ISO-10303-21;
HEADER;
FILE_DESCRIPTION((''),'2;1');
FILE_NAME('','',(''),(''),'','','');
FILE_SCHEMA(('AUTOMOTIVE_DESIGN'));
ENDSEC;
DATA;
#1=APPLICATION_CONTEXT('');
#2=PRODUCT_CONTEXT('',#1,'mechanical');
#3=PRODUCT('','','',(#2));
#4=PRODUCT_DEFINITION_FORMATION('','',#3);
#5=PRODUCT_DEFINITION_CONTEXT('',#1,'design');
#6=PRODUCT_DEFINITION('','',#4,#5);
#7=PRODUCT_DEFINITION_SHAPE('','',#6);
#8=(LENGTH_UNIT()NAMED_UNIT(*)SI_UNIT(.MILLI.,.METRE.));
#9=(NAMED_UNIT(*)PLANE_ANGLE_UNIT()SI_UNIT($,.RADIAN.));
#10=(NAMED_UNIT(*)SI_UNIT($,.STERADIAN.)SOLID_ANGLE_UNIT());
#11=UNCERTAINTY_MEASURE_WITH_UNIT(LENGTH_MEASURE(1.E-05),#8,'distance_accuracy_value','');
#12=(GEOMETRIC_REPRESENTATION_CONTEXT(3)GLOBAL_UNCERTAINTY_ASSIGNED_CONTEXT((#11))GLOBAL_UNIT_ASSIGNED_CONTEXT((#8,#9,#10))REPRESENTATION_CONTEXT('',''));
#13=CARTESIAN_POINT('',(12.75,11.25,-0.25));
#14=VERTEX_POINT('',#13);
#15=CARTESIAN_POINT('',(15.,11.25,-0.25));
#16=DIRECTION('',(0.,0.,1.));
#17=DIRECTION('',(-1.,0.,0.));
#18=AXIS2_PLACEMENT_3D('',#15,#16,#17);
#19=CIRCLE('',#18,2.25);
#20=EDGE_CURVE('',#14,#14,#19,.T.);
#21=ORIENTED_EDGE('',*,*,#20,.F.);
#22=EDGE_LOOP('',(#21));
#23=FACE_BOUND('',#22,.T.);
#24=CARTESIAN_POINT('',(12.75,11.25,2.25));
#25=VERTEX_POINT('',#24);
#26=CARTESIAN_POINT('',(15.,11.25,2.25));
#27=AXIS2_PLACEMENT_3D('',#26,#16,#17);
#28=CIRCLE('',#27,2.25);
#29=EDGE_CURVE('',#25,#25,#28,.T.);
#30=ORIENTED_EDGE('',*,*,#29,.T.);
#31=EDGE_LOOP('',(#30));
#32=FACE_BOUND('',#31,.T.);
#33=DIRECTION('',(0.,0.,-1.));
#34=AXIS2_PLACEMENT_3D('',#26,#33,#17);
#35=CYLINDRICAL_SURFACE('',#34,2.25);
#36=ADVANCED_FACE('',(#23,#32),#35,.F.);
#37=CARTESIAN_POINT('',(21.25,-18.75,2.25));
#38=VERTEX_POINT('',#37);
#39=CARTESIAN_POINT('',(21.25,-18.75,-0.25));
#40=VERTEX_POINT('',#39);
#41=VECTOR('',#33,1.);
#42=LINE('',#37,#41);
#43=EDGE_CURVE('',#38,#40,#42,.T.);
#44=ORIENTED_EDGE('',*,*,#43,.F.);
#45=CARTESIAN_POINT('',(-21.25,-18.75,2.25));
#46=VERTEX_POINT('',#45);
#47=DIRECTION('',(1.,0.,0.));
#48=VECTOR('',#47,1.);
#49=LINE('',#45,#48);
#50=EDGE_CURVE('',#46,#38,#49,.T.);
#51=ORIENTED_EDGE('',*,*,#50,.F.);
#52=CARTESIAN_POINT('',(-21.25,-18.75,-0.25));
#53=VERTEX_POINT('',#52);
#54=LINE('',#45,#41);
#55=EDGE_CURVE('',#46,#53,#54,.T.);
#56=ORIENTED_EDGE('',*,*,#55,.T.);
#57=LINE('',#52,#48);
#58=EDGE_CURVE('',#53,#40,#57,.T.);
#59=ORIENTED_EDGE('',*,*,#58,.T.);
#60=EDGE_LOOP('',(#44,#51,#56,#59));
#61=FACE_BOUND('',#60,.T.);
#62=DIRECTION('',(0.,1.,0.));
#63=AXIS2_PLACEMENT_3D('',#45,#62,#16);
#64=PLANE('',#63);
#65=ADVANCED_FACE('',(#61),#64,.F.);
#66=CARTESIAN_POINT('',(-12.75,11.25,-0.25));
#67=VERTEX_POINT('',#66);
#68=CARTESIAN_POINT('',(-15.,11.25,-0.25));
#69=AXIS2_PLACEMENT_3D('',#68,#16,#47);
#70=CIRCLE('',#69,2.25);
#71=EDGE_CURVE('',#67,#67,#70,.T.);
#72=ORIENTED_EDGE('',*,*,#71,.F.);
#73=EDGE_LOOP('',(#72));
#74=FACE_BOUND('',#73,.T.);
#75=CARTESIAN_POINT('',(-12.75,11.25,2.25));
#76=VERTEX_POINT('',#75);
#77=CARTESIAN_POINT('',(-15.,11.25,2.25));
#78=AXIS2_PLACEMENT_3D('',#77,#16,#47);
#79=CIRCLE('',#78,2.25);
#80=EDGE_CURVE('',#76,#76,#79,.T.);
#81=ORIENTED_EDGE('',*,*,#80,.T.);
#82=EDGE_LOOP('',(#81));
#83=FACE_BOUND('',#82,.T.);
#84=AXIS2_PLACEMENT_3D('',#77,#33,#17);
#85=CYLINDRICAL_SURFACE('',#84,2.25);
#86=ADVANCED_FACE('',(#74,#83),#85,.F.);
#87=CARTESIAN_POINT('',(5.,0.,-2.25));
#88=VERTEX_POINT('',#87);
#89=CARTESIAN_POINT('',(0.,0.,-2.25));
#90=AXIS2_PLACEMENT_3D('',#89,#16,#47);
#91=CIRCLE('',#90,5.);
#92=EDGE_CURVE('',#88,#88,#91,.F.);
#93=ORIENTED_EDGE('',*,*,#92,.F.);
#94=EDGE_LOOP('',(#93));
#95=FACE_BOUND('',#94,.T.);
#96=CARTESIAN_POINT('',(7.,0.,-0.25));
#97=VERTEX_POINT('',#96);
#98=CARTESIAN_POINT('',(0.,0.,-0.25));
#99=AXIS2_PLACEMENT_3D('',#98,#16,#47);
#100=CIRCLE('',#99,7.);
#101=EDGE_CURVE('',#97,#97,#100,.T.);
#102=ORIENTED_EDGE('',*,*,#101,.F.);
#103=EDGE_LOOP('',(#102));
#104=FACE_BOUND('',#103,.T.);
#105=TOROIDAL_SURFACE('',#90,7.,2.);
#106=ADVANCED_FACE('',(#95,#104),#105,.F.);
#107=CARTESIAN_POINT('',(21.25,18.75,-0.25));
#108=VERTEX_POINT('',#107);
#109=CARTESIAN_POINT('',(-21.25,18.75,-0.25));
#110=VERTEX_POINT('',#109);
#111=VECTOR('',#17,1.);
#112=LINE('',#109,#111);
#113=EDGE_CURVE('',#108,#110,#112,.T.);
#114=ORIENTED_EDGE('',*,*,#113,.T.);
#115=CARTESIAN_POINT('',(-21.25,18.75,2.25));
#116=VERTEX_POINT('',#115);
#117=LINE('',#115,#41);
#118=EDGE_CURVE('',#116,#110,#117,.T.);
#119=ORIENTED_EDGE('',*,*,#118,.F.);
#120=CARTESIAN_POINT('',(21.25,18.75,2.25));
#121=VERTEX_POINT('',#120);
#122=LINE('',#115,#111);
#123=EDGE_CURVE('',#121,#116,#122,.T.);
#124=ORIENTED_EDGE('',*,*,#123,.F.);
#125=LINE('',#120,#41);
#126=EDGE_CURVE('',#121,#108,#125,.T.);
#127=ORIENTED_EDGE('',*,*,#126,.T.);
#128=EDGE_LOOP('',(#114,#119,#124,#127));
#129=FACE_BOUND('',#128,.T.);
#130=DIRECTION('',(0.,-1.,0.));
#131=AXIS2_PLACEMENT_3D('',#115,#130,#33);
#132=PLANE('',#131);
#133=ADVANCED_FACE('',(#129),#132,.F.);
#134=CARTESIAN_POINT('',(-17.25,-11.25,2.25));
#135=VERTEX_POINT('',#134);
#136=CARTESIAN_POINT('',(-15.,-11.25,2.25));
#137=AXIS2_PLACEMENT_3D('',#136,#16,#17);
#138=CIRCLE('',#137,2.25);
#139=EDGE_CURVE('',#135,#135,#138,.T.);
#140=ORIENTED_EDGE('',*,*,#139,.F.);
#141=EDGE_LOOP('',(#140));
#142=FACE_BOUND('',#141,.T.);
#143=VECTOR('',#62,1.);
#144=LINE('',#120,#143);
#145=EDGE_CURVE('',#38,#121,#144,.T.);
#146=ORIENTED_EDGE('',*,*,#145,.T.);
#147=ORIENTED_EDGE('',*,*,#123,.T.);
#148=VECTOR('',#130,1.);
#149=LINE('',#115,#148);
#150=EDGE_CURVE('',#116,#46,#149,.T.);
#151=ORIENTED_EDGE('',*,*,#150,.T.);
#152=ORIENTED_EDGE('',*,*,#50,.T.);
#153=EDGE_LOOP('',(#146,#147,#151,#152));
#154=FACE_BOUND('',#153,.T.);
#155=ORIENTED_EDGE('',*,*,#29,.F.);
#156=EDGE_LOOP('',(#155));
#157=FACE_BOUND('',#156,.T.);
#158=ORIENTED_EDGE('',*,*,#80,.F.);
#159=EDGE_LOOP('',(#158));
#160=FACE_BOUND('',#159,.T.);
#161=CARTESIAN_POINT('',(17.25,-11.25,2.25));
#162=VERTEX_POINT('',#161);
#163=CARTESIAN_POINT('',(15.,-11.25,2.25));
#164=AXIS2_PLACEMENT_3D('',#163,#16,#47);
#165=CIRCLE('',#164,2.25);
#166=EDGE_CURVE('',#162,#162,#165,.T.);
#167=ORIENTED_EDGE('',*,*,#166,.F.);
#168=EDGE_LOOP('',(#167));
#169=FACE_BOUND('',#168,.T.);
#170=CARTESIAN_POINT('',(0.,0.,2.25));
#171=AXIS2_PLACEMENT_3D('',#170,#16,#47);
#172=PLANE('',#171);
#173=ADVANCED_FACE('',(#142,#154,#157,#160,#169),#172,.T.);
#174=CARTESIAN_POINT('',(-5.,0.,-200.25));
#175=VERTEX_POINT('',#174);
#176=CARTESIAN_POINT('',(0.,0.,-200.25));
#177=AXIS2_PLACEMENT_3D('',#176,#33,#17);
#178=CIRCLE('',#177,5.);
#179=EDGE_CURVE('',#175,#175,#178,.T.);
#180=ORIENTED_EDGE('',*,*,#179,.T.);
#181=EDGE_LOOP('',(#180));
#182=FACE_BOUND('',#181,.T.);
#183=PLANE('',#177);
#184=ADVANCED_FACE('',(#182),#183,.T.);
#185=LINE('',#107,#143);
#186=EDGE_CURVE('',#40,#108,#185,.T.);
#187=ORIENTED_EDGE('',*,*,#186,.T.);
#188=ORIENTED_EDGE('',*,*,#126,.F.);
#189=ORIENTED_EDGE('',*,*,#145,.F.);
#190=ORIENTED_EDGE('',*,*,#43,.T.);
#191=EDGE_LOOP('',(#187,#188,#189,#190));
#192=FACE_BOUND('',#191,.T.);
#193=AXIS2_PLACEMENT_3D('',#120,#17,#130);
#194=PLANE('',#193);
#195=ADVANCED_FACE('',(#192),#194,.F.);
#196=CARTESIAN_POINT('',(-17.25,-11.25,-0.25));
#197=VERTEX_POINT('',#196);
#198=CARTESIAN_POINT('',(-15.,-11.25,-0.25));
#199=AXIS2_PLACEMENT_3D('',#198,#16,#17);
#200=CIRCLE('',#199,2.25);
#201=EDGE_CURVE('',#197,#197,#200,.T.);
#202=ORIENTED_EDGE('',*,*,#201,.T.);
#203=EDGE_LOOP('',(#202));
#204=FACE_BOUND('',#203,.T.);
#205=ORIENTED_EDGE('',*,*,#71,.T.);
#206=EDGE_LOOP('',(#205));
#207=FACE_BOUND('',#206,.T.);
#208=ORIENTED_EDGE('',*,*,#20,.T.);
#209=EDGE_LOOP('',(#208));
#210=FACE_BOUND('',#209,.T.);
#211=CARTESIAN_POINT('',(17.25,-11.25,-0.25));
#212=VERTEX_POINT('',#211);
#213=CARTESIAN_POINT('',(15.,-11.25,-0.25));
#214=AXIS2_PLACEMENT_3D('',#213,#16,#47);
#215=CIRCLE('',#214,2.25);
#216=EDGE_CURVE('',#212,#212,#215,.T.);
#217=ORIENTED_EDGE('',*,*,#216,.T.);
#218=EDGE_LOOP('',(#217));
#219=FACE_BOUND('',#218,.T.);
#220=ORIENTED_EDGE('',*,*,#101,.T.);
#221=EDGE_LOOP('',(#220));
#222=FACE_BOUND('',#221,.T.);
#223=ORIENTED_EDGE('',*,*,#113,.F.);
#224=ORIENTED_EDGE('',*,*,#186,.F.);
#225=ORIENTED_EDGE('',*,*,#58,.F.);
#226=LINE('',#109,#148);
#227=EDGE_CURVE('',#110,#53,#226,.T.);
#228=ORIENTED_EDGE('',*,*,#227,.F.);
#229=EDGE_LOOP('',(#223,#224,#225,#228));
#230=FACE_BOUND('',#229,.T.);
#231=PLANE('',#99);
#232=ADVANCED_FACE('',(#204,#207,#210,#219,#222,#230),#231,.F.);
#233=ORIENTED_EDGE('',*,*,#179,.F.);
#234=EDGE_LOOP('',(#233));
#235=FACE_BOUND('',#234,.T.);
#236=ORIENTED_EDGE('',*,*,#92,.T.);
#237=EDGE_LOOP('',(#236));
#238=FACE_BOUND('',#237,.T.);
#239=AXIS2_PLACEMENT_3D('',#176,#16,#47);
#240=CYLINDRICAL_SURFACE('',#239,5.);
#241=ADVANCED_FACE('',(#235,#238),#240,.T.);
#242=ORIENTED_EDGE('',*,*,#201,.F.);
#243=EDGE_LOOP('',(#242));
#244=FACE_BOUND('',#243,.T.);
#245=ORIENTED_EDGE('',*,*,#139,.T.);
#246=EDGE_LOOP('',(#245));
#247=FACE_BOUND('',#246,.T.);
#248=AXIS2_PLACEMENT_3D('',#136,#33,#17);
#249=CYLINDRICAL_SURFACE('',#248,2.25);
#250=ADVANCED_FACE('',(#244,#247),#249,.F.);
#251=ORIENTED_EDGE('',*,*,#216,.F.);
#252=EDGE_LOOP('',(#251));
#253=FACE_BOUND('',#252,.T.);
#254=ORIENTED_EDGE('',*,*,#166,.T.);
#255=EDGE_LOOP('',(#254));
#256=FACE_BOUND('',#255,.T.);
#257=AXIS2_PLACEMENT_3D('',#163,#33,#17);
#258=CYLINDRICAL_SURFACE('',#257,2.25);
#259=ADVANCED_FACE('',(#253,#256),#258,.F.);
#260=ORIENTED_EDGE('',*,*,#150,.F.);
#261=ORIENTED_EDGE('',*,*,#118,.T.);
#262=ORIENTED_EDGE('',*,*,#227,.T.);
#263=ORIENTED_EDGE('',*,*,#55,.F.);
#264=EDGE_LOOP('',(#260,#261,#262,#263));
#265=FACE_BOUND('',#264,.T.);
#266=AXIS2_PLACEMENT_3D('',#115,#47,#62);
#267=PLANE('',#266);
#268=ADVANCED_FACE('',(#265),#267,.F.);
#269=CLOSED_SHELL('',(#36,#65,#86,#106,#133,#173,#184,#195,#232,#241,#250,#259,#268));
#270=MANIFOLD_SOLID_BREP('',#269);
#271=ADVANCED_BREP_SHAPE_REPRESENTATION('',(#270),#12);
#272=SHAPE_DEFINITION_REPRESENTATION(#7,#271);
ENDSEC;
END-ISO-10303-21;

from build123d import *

# Parameters (mm, degrees)
SKETCH1_W           = 34
SKETCH1_H           = 30
SKETCH1_R           = 1.8
BOSS_EXTRUDE1_DEPTH = 2
SCALE1_SCALE        = 1.25
SKETCH2_R           = 5
BOSS_EXTRUDE3_DEPTH = 200
FILLET2_R           = 2


with BuildPart() as part:
    # Sketch1 → Boss-Extrude1 (new body)
    with BuildSketch(Plane.XY):
        Rectangle(SKETCH1_W, SKETCH1_H)
        with Locations((-12, 9)):
            Circle(SKETCH1_R, mode=Mode.SUBTRACT)
        with Locations((12, 9)):
            Circle(SKETCH1_R, mode=Mode.SUBTRACT)
        with Locations((12, -9)):
            Circle(SKETCH1_R, mode=Mode.SUBTRACT)
        with Locations((-12, -9)):
            Circle(SKETCH1_R, mode=Mode.SUBTRACT)
    extrude(amount=BOSS_EXTRUDE1_DEPTH)


with BuildPart() as part_1:
    # Scale1: scaled about (0, 0, 1)
    add(part.part.scale(SCALE1_SCALE).moved(Location((0, 0, -0.25))))

    # Sketch2 → Boss-Extrude3 (add)
    with BuildSketch(Plane(origin=(0, 0, -0.25), x_dir=(-1, 0, 0), z_dir=(0, 0, -1))):
        Circle(SKETCH2_R)
    extrude(amount=BOSS_EXTRUDE3_DEPTH)

    # Fillet2
    fillet2_edges = [part_1.edges().sort_by_distance(p)[0] for p in [
        (5, 0, -0.25),
    ]]
    fillet(fillet2_edges, radius=FILLET2_R)


solid = part_1.part
